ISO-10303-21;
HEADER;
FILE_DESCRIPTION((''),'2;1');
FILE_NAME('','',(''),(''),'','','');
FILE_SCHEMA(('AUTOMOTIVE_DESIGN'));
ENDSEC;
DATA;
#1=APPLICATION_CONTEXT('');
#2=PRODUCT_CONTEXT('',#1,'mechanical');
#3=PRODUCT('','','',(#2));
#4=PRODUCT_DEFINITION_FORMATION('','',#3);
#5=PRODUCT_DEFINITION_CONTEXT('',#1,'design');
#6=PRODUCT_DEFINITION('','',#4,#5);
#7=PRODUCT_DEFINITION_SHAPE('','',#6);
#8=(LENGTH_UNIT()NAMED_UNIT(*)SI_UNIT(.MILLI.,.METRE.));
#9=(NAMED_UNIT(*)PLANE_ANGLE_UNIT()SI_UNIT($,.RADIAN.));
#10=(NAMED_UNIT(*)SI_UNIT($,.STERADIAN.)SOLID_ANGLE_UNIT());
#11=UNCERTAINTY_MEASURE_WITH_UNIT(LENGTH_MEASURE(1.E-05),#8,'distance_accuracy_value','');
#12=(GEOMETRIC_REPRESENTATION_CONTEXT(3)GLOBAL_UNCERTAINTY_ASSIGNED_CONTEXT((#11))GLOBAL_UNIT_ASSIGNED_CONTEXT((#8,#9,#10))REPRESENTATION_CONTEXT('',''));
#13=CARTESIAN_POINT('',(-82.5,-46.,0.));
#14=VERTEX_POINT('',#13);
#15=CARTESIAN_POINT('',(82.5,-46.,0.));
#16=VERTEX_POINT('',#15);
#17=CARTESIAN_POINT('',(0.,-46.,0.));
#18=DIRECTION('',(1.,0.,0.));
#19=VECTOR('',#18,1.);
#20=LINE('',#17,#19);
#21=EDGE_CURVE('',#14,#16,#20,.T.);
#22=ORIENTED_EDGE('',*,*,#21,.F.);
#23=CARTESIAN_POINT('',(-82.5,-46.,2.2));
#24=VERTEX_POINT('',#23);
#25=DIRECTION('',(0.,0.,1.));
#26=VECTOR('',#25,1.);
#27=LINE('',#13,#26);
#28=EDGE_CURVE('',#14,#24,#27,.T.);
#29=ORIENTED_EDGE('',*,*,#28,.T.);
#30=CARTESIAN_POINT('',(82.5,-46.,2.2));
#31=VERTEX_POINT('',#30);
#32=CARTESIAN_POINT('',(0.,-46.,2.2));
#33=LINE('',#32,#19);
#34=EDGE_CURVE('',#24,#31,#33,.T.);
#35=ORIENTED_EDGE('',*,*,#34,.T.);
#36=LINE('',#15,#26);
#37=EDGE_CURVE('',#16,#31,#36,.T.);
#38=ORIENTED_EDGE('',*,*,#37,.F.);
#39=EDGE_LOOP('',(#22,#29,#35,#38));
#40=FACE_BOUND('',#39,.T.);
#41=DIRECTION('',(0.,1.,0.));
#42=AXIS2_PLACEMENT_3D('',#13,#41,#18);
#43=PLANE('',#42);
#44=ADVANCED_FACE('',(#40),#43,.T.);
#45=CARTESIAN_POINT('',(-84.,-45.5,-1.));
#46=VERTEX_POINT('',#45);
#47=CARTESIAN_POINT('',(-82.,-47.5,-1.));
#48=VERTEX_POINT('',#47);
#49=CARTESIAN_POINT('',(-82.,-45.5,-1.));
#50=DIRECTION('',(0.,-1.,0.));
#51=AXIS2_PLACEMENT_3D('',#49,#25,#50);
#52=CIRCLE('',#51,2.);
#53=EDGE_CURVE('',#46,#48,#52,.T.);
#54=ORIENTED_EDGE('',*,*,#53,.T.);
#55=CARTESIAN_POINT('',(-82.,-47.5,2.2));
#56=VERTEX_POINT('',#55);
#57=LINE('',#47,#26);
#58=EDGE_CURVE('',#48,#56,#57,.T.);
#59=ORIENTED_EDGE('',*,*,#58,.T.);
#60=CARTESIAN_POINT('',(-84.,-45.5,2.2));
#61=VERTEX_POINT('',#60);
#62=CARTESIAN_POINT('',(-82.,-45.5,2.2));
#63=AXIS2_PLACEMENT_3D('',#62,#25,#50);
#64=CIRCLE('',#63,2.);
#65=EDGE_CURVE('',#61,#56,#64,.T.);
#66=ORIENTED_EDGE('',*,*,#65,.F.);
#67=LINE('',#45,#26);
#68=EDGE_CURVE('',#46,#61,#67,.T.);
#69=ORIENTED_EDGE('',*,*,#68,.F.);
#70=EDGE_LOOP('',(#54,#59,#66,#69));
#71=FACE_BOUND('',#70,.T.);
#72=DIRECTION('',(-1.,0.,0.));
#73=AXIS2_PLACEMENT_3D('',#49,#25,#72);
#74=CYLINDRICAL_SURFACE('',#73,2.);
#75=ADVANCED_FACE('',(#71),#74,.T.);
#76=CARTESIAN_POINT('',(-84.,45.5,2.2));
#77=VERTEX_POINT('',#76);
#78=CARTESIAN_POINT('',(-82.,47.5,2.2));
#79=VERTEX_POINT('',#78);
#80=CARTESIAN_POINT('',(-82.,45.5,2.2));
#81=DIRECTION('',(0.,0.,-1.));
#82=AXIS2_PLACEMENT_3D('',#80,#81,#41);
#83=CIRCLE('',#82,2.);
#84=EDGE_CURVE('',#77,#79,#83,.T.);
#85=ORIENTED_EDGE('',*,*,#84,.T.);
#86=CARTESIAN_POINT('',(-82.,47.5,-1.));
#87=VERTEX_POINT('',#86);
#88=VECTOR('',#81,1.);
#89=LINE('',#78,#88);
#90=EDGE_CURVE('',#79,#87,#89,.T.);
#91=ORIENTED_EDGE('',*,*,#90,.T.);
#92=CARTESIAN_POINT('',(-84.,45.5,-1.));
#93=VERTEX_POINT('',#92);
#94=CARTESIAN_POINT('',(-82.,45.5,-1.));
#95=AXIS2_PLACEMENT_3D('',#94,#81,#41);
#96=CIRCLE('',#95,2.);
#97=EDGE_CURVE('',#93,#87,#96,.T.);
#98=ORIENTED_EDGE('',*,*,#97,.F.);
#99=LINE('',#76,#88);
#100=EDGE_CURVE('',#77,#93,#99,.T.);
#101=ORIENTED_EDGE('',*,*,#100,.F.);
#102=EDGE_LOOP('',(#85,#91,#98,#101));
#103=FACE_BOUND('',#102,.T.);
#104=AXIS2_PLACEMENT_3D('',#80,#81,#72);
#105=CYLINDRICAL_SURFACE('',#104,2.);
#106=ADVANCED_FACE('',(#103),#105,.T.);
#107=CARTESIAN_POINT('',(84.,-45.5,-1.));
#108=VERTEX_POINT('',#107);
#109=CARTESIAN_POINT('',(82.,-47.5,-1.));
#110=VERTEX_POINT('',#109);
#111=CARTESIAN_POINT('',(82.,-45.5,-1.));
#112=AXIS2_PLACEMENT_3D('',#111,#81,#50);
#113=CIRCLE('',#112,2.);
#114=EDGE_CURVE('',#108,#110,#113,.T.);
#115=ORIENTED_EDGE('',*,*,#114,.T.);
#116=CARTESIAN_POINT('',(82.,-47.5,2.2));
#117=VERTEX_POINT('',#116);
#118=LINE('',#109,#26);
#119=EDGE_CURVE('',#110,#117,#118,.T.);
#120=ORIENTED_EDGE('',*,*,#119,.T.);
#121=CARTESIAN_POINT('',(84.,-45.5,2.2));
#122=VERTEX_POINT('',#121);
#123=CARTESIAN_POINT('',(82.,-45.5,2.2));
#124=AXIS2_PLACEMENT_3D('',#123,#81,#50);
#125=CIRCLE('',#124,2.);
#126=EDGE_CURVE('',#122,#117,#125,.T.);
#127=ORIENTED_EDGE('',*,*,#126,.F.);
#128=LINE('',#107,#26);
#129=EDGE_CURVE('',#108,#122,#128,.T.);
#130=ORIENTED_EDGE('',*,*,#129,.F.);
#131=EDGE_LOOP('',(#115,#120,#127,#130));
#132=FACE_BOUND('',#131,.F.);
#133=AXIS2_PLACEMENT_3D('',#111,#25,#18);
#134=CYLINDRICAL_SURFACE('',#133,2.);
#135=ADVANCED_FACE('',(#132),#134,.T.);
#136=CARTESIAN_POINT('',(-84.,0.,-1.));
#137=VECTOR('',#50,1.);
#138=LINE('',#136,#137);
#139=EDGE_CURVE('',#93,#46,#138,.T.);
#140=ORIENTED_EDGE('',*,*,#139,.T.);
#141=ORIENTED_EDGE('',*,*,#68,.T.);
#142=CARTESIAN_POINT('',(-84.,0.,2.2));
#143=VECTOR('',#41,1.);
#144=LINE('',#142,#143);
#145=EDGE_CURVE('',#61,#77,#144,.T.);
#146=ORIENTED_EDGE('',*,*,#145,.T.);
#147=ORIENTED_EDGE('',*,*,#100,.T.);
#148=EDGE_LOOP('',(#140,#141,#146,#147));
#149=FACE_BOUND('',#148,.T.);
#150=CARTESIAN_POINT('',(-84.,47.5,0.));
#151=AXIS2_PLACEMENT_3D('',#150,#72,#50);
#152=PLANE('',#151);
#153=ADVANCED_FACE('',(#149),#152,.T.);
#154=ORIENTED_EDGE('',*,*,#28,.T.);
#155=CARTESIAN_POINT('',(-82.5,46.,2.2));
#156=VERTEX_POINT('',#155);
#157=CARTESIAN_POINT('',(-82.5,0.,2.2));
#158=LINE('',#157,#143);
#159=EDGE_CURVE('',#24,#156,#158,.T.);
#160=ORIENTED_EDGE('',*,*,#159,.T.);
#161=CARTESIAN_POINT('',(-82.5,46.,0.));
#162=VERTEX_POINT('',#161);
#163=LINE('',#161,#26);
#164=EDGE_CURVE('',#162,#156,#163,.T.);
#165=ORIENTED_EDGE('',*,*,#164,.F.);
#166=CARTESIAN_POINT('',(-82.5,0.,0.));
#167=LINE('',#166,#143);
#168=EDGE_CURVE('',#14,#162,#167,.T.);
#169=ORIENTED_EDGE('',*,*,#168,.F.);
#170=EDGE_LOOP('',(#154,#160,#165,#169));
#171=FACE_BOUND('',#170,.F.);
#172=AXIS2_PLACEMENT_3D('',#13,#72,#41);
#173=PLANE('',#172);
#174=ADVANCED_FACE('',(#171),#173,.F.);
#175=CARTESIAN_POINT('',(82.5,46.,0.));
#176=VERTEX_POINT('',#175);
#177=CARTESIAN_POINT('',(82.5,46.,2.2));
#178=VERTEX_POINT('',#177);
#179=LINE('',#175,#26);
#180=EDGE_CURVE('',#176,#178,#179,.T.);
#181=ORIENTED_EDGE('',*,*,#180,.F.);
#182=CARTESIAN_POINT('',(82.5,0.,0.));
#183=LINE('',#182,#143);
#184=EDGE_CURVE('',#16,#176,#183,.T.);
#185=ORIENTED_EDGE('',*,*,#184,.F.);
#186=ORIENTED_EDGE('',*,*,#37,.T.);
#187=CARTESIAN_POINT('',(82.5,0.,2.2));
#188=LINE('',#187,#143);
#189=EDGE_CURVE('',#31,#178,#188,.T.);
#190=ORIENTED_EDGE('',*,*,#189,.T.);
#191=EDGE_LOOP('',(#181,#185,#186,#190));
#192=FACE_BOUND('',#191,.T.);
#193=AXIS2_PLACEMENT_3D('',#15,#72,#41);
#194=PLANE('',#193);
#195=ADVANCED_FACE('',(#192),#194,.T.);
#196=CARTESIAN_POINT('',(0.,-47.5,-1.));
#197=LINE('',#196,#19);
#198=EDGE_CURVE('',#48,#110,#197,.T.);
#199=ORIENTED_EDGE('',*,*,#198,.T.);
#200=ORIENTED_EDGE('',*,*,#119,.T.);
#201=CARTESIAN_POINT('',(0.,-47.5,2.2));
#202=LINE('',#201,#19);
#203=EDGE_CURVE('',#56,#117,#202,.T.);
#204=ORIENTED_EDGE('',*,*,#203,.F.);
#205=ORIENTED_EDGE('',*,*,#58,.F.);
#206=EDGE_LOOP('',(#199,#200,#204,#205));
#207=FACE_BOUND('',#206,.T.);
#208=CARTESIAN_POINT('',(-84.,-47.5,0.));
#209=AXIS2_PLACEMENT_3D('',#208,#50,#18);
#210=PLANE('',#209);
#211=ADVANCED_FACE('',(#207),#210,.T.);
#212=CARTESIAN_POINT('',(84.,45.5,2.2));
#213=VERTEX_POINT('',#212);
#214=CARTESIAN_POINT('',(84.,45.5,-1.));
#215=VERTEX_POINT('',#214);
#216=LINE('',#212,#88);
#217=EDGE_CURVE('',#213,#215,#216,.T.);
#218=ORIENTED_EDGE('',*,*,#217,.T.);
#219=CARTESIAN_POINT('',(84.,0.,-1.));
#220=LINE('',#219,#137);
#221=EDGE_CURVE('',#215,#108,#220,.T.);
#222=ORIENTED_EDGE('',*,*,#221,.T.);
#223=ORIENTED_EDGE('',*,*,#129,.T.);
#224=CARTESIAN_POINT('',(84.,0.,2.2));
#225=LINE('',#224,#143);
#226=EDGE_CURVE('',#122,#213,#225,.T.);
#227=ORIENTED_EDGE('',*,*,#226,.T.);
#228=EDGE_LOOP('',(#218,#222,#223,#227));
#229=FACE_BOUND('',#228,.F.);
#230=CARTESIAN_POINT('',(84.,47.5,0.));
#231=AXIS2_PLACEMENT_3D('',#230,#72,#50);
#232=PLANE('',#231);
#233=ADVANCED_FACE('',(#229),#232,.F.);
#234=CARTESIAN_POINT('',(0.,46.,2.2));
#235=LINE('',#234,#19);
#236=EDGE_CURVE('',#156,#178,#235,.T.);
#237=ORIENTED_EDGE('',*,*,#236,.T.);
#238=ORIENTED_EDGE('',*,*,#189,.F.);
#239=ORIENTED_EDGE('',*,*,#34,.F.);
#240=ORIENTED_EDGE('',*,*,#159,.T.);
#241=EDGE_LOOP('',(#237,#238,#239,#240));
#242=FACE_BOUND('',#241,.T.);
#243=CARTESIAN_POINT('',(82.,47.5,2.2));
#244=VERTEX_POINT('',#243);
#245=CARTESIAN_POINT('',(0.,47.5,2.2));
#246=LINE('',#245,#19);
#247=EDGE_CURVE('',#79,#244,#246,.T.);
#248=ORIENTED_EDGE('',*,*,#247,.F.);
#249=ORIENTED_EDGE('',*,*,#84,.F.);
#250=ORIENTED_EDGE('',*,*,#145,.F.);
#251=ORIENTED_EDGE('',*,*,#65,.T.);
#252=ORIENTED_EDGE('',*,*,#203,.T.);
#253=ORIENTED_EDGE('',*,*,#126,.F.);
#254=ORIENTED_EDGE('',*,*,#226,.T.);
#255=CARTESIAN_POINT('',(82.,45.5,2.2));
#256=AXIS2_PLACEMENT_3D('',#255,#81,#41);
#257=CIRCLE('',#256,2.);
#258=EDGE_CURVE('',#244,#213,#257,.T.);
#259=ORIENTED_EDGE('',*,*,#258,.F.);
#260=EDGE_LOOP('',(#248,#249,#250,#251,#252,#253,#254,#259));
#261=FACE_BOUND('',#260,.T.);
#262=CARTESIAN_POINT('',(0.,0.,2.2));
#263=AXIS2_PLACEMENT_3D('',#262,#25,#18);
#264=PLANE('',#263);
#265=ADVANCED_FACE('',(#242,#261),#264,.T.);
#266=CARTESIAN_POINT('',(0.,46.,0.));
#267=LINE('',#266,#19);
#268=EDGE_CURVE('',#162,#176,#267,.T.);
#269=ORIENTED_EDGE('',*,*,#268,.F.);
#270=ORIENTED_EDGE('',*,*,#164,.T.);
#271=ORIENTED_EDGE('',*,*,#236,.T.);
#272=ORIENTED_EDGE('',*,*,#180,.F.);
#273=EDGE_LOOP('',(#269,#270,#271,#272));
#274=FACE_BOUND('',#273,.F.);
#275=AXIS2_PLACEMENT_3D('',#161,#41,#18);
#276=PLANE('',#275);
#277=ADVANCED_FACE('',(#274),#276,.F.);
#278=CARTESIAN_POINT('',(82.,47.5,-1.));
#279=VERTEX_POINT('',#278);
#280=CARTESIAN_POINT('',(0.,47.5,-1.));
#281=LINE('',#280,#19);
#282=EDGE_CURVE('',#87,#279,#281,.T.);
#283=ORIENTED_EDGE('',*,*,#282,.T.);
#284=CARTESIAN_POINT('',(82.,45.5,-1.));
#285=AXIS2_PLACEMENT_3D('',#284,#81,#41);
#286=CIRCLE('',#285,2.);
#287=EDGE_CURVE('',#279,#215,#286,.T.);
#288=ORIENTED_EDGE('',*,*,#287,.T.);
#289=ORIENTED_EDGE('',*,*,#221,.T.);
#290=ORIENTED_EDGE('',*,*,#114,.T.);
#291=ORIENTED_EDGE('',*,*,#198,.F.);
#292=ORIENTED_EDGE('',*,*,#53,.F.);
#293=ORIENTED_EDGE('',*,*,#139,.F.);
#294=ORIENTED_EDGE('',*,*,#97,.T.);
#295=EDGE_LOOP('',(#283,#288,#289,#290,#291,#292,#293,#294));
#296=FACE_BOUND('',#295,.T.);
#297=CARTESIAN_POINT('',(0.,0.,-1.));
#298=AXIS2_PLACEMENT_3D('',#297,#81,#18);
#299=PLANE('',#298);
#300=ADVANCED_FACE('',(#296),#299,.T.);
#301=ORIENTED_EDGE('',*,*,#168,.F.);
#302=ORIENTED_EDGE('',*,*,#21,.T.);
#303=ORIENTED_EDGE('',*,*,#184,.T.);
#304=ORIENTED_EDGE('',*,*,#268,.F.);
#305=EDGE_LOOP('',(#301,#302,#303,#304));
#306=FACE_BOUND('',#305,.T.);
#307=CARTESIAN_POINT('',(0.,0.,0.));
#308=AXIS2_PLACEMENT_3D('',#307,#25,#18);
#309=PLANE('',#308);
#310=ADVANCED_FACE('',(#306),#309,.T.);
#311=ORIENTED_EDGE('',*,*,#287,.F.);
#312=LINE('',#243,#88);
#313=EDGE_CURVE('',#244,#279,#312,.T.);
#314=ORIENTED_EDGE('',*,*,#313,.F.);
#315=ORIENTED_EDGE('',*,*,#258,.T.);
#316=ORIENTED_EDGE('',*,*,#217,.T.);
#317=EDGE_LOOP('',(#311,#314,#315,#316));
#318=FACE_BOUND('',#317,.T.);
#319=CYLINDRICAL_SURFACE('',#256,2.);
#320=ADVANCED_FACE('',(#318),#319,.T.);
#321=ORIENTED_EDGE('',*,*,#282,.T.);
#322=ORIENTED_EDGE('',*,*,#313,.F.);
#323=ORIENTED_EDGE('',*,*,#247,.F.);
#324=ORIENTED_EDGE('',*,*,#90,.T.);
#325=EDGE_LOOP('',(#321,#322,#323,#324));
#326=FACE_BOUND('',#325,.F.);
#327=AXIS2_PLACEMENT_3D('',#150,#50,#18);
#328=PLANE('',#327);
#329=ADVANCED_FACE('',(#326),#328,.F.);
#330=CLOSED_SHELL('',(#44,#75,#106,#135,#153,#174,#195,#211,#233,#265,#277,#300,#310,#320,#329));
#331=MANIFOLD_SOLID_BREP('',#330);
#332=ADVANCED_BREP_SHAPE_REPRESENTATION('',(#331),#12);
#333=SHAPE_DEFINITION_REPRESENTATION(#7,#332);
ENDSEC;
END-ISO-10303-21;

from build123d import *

# Parameters (mm, degrees)
F0_W        = 168
F0_H        = 95
F0_W_2      = 165
F0_H_2      = 92
F1_DEPTH    = 2.2
F1_FACE_W   = 168
F1_FACE_H   = 95
F1_FACE_W_2 = 165
F1_FACE_H_2 = 92
F2_DEPTH    = 1
F3_R        = 2


with BuildPart() as f1:
    # F0 (on Top) → F1 (new body)
    with BuildSketch(Plane.XY):
        Rectangle(F0_W, F0_H)
        Rectangle(F0_W_2, F0_H_2, mode=Mode.SUBTRACT)
    extrude(amount=F1_DEPTH)

    # F1_face (on face) + F0 (on Top) → F2 (join)
    with BuildSketch(Plane(origin=(0, 0, 0), x_dir=(1, 0, 0), z_dir=(0, 0, -1))):
        Rectangle(F1_FACE_W, F1_FACE_H)
        Rectangle(F1_FACE_W_2, F1_FACE_H_2, mode=Mode.SUBTRACT)
    with BuildSketch(Plane.XY):
        Rectangle(F0_W_2, F0_H_2)
    extrude(amount=F2_DEPTH, dir=(0, 0, -1))

    # F3
    f3_edges = [f1.edges().sort_by_distance(p)[0] for p in [
        (-84, -47.5, 0.6),
        (-84, 47.5, 0.6),
        (84, -47.5, 0.6),
        (84, 47.5, 0.6),
    ]]
    fillet(f3_edges, radius=F3_R)


solid = f1.part
